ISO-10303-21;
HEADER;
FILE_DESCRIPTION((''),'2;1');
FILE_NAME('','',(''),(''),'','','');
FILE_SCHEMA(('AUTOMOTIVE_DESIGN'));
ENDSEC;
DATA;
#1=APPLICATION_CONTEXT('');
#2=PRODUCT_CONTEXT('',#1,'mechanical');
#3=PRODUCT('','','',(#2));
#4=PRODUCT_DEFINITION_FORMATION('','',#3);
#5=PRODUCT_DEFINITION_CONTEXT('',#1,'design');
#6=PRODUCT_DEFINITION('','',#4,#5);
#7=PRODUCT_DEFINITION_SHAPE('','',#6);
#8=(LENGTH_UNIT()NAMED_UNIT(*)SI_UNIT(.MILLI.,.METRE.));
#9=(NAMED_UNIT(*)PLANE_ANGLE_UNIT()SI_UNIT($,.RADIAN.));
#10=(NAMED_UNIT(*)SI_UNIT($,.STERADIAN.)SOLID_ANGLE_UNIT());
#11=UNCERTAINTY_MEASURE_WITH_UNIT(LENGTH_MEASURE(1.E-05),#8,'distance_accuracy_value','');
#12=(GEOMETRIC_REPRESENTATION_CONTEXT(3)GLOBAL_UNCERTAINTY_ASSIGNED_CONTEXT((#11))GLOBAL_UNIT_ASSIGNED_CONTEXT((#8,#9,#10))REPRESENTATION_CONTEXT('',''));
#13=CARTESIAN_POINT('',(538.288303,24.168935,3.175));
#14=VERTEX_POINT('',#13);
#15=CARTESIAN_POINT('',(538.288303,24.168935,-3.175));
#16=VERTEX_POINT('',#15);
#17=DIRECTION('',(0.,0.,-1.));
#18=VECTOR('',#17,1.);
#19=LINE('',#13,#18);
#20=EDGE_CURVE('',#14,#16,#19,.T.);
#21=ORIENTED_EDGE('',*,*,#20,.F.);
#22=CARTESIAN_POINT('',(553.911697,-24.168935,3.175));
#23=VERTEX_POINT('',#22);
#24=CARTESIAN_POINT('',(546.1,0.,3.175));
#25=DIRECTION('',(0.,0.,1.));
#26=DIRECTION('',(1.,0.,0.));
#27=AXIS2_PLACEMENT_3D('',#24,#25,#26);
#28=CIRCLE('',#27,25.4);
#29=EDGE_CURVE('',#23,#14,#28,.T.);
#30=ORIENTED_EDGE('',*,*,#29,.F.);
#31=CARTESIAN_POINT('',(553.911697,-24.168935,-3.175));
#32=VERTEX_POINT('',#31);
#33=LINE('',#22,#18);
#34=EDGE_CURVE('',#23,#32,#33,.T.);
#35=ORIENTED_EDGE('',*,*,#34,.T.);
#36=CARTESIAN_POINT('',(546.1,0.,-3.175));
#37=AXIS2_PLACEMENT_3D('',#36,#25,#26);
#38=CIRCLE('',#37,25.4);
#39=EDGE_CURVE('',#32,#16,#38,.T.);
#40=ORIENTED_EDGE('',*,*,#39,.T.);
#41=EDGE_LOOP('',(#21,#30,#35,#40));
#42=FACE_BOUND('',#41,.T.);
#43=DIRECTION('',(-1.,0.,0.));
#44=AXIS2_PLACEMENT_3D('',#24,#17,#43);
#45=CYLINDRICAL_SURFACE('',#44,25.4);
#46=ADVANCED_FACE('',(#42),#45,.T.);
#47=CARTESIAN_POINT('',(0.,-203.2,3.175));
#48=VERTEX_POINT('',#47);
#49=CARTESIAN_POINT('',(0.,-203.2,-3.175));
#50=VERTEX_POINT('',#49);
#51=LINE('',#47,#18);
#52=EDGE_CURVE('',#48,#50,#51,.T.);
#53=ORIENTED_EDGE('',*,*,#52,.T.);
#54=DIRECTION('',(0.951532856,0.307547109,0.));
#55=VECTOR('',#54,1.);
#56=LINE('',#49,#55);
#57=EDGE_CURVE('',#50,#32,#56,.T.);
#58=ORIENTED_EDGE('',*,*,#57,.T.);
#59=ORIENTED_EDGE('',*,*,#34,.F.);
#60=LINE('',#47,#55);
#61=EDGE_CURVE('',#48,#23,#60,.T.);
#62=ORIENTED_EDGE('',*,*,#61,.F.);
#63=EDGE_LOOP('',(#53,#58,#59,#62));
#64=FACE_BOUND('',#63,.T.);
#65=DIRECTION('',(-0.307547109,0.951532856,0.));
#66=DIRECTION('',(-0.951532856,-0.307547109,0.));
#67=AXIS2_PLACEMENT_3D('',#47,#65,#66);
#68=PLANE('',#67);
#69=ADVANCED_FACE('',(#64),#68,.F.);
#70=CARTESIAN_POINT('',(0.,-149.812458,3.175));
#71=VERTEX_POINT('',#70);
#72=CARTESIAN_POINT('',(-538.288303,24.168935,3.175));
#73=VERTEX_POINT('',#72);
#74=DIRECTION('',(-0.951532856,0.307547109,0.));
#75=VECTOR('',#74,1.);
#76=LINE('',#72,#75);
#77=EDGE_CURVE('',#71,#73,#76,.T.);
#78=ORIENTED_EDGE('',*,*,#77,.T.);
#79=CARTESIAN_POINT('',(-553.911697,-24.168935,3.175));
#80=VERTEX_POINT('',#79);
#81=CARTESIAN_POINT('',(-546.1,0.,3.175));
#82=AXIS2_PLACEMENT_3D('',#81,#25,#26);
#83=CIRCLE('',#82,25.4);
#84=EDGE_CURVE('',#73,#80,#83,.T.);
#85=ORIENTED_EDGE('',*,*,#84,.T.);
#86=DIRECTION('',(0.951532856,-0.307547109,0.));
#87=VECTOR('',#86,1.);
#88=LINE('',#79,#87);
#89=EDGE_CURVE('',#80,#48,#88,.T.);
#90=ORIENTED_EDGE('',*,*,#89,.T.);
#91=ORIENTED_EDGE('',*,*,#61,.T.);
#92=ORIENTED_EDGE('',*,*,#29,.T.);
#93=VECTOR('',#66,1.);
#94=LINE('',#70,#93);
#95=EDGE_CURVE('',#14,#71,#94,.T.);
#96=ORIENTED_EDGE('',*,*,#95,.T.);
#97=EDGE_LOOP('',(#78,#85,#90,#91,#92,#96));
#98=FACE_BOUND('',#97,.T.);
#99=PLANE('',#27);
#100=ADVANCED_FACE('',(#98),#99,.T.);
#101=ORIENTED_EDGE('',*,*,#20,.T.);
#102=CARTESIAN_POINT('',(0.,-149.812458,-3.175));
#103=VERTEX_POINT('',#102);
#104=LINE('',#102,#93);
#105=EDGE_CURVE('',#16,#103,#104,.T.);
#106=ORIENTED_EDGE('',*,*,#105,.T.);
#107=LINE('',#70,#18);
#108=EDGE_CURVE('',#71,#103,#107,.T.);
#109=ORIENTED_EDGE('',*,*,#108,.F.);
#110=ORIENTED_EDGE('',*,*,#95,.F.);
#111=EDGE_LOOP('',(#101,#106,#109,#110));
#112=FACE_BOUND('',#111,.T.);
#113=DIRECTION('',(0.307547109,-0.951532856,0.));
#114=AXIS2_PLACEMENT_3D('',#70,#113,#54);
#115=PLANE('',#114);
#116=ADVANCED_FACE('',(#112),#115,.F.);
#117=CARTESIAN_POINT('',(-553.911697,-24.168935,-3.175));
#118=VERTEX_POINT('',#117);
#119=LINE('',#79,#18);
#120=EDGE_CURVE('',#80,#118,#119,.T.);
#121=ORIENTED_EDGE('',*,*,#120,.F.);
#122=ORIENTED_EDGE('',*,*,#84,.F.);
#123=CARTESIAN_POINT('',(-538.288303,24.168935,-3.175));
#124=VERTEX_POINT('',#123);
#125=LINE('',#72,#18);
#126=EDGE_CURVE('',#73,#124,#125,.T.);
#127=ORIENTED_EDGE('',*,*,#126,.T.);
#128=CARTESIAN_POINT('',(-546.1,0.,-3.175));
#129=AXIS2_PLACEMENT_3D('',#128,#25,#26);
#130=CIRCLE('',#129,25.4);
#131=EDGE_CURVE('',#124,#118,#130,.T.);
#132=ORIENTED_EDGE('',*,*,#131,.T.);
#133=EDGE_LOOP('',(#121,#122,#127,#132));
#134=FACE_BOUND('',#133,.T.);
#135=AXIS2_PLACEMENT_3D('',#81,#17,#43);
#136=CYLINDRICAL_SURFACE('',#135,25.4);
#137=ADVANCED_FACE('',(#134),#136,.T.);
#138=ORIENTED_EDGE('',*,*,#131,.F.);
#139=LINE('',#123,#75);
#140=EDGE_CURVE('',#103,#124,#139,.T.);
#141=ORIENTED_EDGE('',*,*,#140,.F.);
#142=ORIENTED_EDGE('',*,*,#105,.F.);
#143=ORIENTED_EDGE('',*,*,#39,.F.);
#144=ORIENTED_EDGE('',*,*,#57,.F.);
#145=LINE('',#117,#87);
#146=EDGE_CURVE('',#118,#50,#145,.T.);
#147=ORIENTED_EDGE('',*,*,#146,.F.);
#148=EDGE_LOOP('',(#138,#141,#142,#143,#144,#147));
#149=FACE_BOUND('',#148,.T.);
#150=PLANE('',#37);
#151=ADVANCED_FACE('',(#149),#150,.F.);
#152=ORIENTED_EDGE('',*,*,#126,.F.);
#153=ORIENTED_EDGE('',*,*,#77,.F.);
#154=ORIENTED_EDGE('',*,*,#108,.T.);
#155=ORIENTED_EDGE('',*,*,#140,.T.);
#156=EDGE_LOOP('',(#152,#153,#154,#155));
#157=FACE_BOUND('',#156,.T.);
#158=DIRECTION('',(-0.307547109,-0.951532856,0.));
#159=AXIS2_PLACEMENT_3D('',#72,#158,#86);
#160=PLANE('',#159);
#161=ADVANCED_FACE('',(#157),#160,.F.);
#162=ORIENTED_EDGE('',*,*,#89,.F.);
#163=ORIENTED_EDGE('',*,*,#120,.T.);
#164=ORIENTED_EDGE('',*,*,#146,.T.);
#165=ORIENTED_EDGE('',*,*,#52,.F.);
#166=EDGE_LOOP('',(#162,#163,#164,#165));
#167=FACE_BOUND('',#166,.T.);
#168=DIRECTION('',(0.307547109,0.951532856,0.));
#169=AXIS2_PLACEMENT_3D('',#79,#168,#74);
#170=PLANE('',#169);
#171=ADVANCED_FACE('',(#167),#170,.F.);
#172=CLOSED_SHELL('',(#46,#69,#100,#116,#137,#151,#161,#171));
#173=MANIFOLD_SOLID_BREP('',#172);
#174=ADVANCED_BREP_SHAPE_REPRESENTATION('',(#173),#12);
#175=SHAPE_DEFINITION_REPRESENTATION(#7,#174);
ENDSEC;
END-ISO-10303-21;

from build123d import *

# Parameters (mm, degrees)
BOSS_EXTRUDE1_DEPTH = 3.175


with BuildPart() as part:
    # Sketch1 → Boss-Extrude1 (new, symmetric)
    with BuildSketch(Plane.XY):
        with BuildLine():
            Line((-553.911696572, -24.168934537), (0, -203.2))
            Line((0, -203.2), (553.911696572, -24.168934537))
            ThreePointArc((553.911696572, -24.168934537), (570.268934537, 7.811696572), (538.288303428, 24.168934537))
            Line((538.288303428, 24.168934537), (0, -149.812458319))
            Line((0, -149.812458319), (-538.288303428, 24.168934537))
            ThreePointArc((-538.288303428, 24.168934537), (-570.268934537, 7.811696572), (-553.911696572, -24.168934537))
        make_face()
    extrude(amount=BOSS_EXTRUDE1_DEPTH, both=True)


solid = part.part
